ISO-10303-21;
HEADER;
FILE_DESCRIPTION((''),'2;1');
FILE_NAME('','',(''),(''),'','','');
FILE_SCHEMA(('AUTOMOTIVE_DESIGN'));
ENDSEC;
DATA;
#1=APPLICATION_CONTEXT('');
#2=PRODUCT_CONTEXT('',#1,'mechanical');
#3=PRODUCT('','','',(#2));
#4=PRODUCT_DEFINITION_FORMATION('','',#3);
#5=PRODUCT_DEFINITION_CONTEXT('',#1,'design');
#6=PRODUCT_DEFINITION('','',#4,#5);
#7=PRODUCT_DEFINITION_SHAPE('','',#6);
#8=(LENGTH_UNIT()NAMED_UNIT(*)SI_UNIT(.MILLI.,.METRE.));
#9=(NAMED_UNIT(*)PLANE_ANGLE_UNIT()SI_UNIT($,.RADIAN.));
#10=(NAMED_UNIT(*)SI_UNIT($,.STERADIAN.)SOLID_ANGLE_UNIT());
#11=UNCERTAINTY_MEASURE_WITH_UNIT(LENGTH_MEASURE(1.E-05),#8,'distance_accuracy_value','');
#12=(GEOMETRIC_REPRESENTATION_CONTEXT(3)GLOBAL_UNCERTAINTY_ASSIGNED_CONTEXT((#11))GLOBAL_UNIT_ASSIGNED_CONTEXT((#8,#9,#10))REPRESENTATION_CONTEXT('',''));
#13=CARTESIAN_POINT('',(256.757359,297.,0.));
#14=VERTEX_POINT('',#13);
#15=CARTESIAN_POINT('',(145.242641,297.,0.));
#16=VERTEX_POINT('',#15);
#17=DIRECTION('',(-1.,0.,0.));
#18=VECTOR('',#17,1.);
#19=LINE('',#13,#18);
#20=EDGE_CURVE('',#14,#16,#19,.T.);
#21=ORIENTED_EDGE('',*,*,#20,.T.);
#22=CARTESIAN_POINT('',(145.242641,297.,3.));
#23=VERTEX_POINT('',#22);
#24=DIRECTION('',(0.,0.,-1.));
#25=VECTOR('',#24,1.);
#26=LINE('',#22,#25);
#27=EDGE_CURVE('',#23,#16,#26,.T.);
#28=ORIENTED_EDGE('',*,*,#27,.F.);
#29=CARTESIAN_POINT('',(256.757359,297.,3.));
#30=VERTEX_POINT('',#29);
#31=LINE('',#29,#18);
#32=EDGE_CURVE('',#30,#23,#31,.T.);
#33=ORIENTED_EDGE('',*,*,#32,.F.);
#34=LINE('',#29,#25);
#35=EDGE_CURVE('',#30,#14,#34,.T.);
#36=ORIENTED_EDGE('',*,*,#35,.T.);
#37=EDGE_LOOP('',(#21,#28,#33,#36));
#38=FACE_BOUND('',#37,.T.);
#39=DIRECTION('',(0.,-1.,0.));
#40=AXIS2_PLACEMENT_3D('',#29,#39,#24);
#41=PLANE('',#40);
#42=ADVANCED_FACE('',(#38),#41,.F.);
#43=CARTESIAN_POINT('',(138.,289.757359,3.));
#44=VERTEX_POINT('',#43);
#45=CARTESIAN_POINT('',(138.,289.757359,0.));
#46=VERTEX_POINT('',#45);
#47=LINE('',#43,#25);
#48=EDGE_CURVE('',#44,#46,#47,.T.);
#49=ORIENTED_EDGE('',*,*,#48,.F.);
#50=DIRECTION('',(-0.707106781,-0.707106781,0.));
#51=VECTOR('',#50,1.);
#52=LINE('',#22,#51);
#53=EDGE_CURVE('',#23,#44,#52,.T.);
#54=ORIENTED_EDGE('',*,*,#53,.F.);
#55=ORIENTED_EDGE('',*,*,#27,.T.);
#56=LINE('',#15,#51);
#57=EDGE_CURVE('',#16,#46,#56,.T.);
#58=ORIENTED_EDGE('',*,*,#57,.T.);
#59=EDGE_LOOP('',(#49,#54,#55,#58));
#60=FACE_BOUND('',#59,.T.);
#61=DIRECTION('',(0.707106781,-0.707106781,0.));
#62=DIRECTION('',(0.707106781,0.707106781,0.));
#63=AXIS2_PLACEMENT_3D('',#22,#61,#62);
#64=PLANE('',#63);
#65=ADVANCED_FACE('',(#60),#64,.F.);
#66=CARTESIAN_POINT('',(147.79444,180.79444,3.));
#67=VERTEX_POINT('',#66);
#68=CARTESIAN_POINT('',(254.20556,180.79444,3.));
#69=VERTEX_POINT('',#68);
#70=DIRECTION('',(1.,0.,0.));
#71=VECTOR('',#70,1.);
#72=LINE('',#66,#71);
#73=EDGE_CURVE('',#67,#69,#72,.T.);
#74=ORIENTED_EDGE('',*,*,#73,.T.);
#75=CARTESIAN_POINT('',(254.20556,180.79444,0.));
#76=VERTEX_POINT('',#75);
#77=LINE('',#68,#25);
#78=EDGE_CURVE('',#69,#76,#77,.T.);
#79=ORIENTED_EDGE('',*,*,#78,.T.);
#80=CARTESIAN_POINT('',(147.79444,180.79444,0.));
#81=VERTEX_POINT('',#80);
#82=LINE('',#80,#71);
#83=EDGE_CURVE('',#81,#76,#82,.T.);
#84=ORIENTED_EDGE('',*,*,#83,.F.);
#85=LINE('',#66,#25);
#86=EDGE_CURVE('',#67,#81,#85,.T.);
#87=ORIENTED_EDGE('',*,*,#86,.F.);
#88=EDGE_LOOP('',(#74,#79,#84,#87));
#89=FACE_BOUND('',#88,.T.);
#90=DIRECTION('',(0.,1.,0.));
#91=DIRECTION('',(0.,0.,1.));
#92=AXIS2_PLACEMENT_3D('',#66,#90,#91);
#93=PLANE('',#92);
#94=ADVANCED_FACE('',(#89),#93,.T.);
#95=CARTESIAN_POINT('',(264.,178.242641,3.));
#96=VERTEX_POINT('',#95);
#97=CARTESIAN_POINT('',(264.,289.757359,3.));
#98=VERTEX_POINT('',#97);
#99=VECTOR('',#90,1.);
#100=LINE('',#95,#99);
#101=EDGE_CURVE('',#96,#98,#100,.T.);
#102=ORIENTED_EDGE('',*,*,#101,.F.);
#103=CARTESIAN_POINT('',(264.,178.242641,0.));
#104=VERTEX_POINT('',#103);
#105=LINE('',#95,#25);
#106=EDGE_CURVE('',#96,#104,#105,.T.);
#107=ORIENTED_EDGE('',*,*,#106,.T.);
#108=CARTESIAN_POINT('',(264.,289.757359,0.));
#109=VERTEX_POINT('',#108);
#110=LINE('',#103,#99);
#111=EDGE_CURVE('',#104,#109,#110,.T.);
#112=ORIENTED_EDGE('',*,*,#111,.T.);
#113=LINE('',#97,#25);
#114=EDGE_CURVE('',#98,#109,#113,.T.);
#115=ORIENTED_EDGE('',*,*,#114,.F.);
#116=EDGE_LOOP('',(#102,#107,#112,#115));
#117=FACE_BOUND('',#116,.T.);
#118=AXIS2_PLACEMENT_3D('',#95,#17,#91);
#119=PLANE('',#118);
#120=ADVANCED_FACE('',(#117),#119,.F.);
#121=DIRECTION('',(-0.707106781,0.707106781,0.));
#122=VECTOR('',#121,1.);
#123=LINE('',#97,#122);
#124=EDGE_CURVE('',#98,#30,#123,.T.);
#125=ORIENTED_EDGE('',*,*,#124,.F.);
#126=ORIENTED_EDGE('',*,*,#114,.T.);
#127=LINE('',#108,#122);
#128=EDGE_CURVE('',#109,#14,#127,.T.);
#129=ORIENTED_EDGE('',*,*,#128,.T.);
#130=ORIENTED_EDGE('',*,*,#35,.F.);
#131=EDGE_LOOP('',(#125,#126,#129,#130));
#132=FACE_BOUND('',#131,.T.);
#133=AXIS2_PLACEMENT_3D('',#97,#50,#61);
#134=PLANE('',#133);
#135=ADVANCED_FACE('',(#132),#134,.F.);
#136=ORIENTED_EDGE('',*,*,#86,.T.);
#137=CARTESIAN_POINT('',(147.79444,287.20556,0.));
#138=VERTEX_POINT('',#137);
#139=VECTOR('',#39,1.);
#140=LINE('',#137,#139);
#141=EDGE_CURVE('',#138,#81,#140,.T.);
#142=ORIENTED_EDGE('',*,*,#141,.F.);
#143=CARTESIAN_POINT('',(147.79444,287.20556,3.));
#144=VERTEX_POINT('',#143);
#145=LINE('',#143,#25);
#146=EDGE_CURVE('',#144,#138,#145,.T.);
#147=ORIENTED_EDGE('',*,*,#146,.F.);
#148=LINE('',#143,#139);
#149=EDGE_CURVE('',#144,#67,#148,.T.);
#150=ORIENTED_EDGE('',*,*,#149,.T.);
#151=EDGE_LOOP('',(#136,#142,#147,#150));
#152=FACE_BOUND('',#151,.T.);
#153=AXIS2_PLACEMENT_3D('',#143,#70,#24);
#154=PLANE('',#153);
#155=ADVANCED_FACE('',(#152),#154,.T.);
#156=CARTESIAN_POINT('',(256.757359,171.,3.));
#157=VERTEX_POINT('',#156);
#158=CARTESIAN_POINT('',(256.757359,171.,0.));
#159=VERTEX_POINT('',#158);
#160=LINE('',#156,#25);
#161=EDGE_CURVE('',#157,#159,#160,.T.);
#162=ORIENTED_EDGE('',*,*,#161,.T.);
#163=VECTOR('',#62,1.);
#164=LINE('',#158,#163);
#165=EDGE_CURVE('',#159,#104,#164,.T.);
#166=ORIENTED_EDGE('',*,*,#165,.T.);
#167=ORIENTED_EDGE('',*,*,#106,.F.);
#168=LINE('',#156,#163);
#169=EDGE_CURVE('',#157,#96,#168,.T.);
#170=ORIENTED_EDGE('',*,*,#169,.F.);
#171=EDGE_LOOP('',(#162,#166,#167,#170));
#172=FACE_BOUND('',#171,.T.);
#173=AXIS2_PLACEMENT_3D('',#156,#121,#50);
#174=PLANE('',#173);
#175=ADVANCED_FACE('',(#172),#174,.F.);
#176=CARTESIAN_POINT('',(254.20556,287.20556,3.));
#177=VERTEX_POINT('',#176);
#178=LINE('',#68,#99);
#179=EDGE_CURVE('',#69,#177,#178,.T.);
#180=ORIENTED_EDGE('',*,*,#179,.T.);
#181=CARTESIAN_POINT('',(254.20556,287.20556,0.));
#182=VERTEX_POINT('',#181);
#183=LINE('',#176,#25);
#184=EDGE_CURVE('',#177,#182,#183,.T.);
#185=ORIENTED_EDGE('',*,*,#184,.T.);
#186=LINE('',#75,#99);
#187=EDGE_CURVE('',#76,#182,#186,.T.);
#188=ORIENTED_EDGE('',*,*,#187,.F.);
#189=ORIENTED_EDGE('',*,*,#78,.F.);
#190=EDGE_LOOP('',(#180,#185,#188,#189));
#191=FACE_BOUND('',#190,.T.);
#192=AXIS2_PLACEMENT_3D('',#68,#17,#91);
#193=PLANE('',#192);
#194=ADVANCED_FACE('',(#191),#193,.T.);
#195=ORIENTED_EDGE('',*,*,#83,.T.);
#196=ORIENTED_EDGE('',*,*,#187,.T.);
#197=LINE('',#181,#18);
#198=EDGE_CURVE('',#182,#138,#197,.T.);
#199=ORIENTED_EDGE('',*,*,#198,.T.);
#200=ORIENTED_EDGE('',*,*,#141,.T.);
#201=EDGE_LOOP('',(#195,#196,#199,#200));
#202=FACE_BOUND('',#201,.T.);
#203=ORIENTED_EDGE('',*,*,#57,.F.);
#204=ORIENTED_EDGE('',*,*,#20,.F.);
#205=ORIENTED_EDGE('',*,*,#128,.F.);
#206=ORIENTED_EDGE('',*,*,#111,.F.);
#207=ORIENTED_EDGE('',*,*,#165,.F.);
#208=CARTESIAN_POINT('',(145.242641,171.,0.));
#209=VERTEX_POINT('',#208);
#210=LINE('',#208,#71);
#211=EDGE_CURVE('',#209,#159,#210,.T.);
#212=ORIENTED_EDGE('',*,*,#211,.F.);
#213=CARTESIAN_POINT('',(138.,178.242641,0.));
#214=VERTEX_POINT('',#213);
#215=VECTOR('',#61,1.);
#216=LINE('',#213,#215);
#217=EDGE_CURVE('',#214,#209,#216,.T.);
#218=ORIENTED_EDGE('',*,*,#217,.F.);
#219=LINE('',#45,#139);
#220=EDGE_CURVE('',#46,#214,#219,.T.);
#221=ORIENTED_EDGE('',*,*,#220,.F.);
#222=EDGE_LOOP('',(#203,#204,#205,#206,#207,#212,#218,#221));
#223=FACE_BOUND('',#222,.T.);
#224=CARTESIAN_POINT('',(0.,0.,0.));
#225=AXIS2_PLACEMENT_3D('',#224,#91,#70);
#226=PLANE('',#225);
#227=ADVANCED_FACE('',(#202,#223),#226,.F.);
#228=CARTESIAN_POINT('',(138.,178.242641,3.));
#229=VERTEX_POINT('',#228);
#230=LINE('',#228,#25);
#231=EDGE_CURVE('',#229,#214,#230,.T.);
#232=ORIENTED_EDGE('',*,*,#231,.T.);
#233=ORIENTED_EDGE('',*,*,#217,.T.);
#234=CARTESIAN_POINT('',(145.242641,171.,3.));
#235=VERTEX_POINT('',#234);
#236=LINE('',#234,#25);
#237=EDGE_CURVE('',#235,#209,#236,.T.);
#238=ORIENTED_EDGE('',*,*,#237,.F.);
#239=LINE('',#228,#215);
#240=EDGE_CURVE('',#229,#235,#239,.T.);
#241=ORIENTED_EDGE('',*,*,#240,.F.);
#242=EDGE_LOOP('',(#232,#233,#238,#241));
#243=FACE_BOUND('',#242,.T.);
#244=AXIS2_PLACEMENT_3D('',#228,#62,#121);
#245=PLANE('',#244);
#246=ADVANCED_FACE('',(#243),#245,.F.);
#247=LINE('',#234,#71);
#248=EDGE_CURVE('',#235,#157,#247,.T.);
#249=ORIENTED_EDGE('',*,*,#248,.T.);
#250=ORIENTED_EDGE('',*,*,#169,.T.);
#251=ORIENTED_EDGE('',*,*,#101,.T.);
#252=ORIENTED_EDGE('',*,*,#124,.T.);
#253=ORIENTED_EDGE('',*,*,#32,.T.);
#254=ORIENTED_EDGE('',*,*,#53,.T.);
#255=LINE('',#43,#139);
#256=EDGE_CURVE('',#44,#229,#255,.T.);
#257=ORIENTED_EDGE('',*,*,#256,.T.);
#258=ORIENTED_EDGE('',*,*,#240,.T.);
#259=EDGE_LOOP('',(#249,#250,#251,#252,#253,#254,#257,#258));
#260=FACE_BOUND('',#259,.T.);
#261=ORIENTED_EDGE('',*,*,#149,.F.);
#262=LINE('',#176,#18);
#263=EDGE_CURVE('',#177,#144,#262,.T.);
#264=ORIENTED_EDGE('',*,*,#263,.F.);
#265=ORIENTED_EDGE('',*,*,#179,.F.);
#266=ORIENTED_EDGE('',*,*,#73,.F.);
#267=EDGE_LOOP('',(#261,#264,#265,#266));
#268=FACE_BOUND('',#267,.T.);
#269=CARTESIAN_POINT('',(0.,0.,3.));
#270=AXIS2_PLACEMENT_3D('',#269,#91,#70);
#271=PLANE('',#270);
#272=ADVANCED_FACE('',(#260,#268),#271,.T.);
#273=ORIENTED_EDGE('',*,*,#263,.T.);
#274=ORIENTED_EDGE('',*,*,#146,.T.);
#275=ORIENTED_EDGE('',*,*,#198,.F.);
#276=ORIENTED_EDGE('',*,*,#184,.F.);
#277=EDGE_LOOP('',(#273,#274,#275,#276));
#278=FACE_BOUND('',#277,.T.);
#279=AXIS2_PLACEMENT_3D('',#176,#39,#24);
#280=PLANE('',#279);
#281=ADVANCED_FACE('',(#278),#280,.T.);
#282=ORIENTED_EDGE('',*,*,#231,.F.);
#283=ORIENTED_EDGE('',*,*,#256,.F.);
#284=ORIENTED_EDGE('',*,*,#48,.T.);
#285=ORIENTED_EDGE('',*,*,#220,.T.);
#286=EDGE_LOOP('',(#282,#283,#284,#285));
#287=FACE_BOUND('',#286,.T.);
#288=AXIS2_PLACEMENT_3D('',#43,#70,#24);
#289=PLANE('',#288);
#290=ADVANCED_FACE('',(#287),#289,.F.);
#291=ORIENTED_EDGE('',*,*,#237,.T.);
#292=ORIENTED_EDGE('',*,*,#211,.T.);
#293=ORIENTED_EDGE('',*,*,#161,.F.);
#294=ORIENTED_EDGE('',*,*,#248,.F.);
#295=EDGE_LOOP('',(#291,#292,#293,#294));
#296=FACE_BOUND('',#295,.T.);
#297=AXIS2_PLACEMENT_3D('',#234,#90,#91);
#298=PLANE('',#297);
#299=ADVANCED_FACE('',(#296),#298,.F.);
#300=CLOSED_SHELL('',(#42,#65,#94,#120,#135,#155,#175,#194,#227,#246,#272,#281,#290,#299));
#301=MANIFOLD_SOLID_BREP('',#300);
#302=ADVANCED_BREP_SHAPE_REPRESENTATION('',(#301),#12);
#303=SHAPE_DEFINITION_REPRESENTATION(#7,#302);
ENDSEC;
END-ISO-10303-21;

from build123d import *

# Parameters (mm, degrees)
SKETCH1_W           = 106.411119242
SKETCH1_H           = 106.411119242
BOSS_EXTRUDE1_DEPTH = 3


with BuildPart() as part:
    # Sketch1 → Boss-Extrude1 (new body)
    with BuildSketch(Plane.XY):
        Polygon((256.757359313, 297), (145.242640687, 297), (138, 289.757359313), (138, 178.242640687), (145.242640687, 171), (256.757359313, 171), (264, 178.242640687), (264, 289.757359313), align=None)
        with Locations((201, 234)):
            Rectangle(SKETCH1_W, SKETCH1_H, mode=Mode.SUBTRACT)
    extrude(amount=BOSS_EXTRUDE1_DEPTH)


solid = part.part
